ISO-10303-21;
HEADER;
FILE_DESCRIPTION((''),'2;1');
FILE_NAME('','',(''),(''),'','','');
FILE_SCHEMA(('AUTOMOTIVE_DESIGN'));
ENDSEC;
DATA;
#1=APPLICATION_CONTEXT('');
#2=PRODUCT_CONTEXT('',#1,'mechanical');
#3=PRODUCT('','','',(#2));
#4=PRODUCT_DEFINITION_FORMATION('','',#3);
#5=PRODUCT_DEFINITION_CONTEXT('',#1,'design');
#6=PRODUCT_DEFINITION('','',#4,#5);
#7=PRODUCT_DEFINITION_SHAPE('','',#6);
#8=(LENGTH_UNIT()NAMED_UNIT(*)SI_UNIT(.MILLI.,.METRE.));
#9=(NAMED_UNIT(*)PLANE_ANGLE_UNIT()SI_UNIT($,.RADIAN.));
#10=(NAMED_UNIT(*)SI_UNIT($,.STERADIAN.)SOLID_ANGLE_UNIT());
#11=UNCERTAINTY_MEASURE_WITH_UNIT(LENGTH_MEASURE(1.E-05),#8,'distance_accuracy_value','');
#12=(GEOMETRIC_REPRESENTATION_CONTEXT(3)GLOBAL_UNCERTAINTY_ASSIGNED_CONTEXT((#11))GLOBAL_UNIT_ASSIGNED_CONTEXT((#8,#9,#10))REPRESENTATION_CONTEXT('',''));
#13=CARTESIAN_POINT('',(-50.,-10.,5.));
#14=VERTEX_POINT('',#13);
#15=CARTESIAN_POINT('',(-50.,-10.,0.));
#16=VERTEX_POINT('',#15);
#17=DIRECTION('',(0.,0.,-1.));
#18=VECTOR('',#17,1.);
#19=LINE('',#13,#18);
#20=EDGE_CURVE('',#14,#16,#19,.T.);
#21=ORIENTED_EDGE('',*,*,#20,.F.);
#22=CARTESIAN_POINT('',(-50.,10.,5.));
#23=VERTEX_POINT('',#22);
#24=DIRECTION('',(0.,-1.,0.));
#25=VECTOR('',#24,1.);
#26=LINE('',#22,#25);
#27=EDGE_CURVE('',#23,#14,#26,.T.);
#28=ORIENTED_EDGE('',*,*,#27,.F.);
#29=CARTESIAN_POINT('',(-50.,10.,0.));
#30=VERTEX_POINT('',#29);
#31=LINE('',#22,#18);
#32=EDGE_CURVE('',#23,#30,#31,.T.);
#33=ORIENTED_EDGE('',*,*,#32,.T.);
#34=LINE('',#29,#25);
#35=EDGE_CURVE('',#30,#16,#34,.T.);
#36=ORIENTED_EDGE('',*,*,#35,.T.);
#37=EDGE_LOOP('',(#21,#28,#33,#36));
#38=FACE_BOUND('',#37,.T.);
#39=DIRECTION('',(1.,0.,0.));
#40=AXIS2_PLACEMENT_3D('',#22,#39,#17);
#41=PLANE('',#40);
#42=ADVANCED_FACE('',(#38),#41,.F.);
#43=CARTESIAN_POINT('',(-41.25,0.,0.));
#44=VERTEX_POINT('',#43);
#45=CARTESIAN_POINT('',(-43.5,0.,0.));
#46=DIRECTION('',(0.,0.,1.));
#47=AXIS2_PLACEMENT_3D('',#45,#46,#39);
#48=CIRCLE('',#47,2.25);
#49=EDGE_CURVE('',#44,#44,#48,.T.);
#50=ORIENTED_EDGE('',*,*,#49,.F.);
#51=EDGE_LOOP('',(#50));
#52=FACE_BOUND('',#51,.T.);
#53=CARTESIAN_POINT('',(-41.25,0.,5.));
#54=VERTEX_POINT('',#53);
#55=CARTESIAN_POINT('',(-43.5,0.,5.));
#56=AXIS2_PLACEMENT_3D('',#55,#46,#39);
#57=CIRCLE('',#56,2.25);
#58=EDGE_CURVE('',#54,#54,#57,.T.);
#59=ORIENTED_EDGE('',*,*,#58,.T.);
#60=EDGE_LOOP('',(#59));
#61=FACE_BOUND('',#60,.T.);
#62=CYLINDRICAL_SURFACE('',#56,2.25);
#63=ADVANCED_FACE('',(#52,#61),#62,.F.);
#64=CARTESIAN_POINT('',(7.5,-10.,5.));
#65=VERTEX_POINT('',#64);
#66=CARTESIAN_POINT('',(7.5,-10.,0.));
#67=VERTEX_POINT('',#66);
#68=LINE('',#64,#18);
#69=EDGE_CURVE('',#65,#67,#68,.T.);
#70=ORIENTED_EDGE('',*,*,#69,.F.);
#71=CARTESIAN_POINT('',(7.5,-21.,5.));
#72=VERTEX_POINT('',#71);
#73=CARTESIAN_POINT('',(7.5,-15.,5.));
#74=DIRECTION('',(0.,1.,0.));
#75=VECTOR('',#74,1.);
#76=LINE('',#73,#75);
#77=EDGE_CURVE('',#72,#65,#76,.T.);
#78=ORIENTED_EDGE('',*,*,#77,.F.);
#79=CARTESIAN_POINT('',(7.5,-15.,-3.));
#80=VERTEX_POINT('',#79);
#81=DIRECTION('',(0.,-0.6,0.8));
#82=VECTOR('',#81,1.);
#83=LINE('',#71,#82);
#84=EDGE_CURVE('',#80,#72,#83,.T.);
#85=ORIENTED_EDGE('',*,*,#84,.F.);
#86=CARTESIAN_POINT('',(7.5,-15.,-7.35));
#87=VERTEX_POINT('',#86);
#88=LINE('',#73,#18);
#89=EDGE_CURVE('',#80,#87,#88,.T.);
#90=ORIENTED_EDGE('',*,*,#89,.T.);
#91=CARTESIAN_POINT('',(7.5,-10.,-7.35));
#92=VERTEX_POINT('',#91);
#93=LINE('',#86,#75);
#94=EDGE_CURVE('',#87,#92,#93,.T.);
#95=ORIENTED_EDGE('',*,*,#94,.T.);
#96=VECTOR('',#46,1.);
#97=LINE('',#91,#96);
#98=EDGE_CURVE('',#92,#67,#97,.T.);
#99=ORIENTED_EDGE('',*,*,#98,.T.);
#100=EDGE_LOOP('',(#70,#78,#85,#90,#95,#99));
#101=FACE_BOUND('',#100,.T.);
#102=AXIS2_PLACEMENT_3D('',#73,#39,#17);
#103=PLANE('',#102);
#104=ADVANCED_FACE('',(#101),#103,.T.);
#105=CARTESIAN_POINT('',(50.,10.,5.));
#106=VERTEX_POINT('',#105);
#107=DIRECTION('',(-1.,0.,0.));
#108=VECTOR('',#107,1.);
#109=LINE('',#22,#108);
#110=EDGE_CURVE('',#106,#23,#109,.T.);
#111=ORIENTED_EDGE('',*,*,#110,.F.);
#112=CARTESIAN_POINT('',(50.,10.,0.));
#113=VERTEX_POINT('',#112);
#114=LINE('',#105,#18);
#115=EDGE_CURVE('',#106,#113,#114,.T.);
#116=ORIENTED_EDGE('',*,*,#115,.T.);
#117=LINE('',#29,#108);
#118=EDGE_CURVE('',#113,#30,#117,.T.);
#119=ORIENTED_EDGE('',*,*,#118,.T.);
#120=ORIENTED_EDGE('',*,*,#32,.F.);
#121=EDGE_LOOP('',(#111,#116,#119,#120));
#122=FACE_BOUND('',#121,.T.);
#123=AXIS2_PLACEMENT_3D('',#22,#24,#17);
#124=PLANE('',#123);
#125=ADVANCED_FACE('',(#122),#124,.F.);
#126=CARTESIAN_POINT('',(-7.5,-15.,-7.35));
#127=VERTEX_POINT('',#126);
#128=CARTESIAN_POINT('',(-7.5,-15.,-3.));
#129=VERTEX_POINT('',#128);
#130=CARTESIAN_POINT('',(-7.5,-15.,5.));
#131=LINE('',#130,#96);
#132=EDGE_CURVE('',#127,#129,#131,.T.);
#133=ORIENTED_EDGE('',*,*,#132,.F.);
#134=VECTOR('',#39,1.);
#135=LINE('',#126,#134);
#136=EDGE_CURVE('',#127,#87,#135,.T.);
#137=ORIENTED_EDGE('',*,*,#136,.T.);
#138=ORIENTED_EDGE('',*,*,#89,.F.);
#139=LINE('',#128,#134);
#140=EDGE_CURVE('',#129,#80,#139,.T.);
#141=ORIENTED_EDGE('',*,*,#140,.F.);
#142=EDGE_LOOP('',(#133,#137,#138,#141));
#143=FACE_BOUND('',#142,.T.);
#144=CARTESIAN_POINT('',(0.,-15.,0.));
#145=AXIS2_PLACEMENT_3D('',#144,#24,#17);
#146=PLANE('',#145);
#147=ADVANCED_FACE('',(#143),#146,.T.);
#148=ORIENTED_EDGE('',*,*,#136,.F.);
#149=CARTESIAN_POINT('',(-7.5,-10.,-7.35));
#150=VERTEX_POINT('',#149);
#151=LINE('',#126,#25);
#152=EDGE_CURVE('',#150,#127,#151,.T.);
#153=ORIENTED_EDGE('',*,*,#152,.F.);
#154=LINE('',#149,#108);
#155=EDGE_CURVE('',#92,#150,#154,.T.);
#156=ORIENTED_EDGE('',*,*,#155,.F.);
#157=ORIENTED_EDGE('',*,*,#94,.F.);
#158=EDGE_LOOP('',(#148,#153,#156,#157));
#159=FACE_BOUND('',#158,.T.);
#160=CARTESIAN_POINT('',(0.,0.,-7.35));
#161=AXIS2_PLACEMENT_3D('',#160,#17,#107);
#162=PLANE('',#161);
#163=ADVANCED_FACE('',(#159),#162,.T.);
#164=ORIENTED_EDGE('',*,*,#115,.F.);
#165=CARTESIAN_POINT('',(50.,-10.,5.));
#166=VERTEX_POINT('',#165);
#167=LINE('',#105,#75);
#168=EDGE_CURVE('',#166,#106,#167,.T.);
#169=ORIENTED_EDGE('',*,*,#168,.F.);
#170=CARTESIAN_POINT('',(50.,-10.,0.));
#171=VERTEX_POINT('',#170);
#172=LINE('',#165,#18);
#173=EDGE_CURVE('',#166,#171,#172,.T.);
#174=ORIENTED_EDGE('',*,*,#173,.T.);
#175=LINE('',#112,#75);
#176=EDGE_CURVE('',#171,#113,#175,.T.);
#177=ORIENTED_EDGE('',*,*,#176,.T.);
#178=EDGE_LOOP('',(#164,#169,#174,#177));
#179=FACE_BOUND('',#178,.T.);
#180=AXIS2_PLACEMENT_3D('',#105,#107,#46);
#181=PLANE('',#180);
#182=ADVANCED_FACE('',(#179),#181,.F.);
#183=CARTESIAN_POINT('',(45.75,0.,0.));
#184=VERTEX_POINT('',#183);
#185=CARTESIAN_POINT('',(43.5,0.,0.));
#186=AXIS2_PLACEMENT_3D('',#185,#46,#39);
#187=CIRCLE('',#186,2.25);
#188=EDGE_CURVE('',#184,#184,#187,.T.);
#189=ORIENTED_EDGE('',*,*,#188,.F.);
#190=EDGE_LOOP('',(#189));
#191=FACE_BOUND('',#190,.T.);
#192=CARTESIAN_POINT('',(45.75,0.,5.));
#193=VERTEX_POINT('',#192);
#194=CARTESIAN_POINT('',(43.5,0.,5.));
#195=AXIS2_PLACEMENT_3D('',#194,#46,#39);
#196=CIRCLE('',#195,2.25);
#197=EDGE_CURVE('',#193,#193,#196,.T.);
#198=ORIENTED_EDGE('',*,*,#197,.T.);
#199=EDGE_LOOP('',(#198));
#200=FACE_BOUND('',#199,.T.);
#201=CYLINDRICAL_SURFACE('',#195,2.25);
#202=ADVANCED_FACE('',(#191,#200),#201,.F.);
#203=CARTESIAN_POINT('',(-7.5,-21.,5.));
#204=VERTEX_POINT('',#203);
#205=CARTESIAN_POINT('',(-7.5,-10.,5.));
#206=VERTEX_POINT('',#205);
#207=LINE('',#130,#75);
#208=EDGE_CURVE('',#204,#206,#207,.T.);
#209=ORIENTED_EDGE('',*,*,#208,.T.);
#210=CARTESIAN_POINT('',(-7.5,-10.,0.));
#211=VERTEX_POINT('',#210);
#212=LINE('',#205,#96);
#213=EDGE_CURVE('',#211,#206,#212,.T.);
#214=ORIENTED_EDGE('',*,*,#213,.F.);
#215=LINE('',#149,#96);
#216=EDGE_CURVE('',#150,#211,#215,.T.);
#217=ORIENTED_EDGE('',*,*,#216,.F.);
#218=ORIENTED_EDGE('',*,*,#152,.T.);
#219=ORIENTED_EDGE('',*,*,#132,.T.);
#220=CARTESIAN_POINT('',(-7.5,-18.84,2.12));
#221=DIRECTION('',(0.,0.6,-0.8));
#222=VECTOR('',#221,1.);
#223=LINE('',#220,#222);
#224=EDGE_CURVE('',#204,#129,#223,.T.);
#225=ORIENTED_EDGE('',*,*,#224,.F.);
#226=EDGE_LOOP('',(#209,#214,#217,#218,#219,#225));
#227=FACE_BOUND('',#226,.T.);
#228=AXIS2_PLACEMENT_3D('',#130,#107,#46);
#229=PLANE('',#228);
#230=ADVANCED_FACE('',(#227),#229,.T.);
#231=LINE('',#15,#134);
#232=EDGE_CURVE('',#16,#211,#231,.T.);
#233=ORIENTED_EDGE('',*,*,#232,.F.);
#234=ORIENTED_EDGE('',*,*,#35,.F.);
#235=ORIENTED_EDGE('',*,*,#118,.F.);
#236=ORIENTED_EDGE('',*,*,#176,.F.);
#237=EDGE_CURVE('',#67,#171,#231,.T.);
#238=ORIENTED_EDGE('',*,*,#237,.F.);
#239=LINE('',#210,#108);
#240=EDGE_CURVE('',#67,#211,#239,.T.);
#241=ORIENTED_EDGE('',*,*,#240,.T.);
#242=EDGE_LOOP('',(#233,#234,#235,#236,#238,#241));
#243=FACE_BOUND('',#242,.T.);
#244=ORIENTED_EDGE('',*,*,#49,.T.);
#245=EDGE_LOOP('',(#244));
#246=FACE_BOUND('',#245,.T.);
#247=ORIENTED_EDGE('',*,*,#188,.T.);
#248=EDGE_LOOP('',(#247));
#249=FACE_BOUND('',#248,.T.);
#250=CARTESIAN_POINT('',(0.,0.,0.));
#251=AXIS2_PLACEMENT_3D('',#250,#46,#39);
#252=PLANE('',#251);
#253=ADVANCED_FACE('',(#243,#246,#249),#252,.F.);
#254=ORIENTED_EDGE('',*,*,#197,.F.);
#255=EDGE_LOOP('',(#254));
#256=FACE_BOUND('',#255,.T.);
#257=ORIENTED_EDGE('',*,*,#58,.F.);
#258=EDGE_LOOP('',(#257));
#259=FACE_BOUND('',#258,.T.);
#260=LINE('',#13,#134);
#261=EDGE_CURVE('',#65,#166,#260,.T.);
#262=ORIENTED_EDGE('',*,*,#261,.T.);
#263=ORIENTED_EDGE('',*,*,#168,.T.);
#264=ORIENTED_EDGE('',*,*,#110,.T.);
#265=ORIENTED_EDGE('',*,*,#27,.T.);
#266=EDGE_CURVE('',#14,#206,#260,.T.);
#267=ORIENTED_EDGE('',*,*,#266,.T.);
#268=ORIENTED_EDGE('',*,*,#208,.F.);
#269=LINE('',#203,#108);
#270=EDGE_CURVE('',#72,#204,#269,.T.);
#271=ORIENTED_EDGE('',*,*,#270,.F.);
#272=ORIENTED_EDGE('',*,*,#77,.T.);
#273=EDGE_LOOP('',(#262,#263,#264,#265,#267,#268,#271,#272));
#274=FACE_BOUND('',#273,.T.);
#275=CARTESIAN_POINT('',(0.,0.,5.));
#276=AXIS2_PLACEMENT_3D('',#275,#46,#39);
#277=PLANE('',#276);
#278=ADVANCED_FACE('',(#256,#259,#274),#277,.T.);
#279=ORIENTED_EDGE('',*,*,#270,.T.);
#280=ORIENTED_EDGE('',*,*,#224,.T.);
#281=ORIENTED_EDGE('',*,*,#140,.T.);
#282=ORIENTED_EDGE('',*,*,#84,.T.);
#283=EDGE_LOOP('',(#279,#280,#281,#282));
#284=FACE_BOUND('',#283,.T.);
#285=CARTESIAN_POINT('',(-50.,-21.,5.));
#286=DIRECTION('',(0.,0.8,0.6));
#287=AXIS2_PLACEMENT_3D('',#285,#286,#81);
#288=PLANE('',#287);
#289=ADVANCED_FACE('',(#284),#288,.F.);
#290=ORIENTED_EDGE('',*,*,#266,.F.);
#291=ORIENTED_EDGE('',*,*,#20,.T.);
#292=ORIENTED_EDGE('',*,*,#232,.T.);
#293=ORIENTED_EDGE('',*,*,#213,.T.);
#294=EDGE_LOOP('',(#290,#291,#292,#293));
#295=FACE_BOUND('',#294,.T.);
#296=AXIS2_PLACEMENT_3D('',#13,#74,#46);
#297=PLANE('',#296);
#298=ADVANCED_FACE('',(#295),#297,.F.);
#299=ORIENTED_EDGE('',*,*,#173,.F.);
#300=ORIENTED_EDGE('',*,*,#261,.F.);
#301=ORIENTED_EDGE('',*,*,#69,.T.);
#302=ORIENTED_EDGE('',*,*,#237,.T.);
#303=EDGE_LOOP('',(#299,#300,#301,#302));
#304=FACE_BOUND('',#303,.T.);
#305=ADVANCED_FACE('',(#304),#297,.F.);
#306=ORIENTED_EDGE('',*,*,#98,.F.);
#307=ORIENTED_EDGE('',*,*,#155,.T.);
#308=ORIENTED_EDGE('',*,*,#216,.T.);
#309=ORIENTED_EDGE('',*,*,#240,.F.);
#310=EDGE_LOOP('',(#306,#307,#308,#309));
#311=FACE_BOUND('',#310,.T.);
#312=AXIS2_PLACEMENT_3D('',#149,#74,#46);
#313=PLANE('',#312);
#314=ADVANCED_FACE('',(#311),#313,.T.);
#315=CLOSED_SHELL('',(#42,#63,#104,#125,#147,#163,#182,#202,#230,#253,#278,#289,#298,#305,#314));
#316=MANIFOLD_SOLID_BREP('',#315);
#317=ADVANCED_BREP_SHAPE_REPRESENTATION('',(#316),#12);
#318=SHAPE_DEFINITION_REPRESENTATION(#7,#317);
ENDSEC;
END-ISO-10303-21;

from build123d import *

# Parameters (mm, degrees)
SKETCH_1_W          = 100
SKETCH_1_H          = 20
EXTRUDE_1_DEPTH     = 5
HOLE_WIZARD_M4_1_D  = 4.5
SKETCH_4_W          = 15
SKETCH_4_H          = 5
EXTRUDE_2_DEPTH     = 5
SKETCH_5_W          = 15
SKETCH_5_H          = 5
EXTRUDE_3_DEPTH     = 7.35
SKETCH_6_W          = 15
SKETCH_6_H          = 8
EXTRUDE_4_DEPTH     = 6
CUT_EXTRUDE_1_DEPTH = 62.654460504


with BuildPart() as part:
    # 스케치1 → 보스-돌출1 (new body)
    with BuildSketch(Plane.XY):
        Rectangle(SKETCH_1_W, SKETCH_1_H)
    extrude(amount=EXTRUDE_1_DEPTH)

    # M4 여유 구멍1 (through all)
    with Locations(Plane.XY.offset(5)):
        with Locations((-43.5, 0), (43.5, 0)):
            Hole(HOLE_WIZARD_M4_1_D / 2)

    # 스케치4 → 보스-돌출2 (add)
    with BuildSketch(Plane(origin=(0, -10, 0), x_dir=(1, 0, 0), z_dir=(0, 1, 0))):
        with Locations((0, -2.5)):
            Rectangle(SKETCH_4_W, SKETCH_4_H)
    extrude(amount=-EXTRUDE_2_DEPTH)

    # 스케치5 → 보스-돌출3 (add)
    with BuildSketch(Plane.XY):
        with Locations((0, -12.5)):
            Rectangle(SKETCH_5_W, SKETCH_5_H)
    extrude(amount=-EXTRUDE_3_DEPTH)

    # 스케치6 → 보스-돌출4 (add)
    with BuildSketch(Plane.XZ.offset(15)):
        with Locations((0, 1)):
            Rectangle(SKETCH_6_W, SKETCH_6_H)
    extrude(amount=EXTRUDE_4_DEPTH)

    # 스케치7 → 컷-돌출1 (cut, through all)
    with BuildSketch(Plane(origin=(7.5, 0, 0), x_dir=(0, 0, -1), z_dir=(1, 0, 0))):
        Polygon((3, -21), (-5, -21), (3, -15), align=None)
    extrude(amount=-CUT_EXTRUDE_1_DEPTH, mode=Mode.SUBTRACT)


solid = part.part
